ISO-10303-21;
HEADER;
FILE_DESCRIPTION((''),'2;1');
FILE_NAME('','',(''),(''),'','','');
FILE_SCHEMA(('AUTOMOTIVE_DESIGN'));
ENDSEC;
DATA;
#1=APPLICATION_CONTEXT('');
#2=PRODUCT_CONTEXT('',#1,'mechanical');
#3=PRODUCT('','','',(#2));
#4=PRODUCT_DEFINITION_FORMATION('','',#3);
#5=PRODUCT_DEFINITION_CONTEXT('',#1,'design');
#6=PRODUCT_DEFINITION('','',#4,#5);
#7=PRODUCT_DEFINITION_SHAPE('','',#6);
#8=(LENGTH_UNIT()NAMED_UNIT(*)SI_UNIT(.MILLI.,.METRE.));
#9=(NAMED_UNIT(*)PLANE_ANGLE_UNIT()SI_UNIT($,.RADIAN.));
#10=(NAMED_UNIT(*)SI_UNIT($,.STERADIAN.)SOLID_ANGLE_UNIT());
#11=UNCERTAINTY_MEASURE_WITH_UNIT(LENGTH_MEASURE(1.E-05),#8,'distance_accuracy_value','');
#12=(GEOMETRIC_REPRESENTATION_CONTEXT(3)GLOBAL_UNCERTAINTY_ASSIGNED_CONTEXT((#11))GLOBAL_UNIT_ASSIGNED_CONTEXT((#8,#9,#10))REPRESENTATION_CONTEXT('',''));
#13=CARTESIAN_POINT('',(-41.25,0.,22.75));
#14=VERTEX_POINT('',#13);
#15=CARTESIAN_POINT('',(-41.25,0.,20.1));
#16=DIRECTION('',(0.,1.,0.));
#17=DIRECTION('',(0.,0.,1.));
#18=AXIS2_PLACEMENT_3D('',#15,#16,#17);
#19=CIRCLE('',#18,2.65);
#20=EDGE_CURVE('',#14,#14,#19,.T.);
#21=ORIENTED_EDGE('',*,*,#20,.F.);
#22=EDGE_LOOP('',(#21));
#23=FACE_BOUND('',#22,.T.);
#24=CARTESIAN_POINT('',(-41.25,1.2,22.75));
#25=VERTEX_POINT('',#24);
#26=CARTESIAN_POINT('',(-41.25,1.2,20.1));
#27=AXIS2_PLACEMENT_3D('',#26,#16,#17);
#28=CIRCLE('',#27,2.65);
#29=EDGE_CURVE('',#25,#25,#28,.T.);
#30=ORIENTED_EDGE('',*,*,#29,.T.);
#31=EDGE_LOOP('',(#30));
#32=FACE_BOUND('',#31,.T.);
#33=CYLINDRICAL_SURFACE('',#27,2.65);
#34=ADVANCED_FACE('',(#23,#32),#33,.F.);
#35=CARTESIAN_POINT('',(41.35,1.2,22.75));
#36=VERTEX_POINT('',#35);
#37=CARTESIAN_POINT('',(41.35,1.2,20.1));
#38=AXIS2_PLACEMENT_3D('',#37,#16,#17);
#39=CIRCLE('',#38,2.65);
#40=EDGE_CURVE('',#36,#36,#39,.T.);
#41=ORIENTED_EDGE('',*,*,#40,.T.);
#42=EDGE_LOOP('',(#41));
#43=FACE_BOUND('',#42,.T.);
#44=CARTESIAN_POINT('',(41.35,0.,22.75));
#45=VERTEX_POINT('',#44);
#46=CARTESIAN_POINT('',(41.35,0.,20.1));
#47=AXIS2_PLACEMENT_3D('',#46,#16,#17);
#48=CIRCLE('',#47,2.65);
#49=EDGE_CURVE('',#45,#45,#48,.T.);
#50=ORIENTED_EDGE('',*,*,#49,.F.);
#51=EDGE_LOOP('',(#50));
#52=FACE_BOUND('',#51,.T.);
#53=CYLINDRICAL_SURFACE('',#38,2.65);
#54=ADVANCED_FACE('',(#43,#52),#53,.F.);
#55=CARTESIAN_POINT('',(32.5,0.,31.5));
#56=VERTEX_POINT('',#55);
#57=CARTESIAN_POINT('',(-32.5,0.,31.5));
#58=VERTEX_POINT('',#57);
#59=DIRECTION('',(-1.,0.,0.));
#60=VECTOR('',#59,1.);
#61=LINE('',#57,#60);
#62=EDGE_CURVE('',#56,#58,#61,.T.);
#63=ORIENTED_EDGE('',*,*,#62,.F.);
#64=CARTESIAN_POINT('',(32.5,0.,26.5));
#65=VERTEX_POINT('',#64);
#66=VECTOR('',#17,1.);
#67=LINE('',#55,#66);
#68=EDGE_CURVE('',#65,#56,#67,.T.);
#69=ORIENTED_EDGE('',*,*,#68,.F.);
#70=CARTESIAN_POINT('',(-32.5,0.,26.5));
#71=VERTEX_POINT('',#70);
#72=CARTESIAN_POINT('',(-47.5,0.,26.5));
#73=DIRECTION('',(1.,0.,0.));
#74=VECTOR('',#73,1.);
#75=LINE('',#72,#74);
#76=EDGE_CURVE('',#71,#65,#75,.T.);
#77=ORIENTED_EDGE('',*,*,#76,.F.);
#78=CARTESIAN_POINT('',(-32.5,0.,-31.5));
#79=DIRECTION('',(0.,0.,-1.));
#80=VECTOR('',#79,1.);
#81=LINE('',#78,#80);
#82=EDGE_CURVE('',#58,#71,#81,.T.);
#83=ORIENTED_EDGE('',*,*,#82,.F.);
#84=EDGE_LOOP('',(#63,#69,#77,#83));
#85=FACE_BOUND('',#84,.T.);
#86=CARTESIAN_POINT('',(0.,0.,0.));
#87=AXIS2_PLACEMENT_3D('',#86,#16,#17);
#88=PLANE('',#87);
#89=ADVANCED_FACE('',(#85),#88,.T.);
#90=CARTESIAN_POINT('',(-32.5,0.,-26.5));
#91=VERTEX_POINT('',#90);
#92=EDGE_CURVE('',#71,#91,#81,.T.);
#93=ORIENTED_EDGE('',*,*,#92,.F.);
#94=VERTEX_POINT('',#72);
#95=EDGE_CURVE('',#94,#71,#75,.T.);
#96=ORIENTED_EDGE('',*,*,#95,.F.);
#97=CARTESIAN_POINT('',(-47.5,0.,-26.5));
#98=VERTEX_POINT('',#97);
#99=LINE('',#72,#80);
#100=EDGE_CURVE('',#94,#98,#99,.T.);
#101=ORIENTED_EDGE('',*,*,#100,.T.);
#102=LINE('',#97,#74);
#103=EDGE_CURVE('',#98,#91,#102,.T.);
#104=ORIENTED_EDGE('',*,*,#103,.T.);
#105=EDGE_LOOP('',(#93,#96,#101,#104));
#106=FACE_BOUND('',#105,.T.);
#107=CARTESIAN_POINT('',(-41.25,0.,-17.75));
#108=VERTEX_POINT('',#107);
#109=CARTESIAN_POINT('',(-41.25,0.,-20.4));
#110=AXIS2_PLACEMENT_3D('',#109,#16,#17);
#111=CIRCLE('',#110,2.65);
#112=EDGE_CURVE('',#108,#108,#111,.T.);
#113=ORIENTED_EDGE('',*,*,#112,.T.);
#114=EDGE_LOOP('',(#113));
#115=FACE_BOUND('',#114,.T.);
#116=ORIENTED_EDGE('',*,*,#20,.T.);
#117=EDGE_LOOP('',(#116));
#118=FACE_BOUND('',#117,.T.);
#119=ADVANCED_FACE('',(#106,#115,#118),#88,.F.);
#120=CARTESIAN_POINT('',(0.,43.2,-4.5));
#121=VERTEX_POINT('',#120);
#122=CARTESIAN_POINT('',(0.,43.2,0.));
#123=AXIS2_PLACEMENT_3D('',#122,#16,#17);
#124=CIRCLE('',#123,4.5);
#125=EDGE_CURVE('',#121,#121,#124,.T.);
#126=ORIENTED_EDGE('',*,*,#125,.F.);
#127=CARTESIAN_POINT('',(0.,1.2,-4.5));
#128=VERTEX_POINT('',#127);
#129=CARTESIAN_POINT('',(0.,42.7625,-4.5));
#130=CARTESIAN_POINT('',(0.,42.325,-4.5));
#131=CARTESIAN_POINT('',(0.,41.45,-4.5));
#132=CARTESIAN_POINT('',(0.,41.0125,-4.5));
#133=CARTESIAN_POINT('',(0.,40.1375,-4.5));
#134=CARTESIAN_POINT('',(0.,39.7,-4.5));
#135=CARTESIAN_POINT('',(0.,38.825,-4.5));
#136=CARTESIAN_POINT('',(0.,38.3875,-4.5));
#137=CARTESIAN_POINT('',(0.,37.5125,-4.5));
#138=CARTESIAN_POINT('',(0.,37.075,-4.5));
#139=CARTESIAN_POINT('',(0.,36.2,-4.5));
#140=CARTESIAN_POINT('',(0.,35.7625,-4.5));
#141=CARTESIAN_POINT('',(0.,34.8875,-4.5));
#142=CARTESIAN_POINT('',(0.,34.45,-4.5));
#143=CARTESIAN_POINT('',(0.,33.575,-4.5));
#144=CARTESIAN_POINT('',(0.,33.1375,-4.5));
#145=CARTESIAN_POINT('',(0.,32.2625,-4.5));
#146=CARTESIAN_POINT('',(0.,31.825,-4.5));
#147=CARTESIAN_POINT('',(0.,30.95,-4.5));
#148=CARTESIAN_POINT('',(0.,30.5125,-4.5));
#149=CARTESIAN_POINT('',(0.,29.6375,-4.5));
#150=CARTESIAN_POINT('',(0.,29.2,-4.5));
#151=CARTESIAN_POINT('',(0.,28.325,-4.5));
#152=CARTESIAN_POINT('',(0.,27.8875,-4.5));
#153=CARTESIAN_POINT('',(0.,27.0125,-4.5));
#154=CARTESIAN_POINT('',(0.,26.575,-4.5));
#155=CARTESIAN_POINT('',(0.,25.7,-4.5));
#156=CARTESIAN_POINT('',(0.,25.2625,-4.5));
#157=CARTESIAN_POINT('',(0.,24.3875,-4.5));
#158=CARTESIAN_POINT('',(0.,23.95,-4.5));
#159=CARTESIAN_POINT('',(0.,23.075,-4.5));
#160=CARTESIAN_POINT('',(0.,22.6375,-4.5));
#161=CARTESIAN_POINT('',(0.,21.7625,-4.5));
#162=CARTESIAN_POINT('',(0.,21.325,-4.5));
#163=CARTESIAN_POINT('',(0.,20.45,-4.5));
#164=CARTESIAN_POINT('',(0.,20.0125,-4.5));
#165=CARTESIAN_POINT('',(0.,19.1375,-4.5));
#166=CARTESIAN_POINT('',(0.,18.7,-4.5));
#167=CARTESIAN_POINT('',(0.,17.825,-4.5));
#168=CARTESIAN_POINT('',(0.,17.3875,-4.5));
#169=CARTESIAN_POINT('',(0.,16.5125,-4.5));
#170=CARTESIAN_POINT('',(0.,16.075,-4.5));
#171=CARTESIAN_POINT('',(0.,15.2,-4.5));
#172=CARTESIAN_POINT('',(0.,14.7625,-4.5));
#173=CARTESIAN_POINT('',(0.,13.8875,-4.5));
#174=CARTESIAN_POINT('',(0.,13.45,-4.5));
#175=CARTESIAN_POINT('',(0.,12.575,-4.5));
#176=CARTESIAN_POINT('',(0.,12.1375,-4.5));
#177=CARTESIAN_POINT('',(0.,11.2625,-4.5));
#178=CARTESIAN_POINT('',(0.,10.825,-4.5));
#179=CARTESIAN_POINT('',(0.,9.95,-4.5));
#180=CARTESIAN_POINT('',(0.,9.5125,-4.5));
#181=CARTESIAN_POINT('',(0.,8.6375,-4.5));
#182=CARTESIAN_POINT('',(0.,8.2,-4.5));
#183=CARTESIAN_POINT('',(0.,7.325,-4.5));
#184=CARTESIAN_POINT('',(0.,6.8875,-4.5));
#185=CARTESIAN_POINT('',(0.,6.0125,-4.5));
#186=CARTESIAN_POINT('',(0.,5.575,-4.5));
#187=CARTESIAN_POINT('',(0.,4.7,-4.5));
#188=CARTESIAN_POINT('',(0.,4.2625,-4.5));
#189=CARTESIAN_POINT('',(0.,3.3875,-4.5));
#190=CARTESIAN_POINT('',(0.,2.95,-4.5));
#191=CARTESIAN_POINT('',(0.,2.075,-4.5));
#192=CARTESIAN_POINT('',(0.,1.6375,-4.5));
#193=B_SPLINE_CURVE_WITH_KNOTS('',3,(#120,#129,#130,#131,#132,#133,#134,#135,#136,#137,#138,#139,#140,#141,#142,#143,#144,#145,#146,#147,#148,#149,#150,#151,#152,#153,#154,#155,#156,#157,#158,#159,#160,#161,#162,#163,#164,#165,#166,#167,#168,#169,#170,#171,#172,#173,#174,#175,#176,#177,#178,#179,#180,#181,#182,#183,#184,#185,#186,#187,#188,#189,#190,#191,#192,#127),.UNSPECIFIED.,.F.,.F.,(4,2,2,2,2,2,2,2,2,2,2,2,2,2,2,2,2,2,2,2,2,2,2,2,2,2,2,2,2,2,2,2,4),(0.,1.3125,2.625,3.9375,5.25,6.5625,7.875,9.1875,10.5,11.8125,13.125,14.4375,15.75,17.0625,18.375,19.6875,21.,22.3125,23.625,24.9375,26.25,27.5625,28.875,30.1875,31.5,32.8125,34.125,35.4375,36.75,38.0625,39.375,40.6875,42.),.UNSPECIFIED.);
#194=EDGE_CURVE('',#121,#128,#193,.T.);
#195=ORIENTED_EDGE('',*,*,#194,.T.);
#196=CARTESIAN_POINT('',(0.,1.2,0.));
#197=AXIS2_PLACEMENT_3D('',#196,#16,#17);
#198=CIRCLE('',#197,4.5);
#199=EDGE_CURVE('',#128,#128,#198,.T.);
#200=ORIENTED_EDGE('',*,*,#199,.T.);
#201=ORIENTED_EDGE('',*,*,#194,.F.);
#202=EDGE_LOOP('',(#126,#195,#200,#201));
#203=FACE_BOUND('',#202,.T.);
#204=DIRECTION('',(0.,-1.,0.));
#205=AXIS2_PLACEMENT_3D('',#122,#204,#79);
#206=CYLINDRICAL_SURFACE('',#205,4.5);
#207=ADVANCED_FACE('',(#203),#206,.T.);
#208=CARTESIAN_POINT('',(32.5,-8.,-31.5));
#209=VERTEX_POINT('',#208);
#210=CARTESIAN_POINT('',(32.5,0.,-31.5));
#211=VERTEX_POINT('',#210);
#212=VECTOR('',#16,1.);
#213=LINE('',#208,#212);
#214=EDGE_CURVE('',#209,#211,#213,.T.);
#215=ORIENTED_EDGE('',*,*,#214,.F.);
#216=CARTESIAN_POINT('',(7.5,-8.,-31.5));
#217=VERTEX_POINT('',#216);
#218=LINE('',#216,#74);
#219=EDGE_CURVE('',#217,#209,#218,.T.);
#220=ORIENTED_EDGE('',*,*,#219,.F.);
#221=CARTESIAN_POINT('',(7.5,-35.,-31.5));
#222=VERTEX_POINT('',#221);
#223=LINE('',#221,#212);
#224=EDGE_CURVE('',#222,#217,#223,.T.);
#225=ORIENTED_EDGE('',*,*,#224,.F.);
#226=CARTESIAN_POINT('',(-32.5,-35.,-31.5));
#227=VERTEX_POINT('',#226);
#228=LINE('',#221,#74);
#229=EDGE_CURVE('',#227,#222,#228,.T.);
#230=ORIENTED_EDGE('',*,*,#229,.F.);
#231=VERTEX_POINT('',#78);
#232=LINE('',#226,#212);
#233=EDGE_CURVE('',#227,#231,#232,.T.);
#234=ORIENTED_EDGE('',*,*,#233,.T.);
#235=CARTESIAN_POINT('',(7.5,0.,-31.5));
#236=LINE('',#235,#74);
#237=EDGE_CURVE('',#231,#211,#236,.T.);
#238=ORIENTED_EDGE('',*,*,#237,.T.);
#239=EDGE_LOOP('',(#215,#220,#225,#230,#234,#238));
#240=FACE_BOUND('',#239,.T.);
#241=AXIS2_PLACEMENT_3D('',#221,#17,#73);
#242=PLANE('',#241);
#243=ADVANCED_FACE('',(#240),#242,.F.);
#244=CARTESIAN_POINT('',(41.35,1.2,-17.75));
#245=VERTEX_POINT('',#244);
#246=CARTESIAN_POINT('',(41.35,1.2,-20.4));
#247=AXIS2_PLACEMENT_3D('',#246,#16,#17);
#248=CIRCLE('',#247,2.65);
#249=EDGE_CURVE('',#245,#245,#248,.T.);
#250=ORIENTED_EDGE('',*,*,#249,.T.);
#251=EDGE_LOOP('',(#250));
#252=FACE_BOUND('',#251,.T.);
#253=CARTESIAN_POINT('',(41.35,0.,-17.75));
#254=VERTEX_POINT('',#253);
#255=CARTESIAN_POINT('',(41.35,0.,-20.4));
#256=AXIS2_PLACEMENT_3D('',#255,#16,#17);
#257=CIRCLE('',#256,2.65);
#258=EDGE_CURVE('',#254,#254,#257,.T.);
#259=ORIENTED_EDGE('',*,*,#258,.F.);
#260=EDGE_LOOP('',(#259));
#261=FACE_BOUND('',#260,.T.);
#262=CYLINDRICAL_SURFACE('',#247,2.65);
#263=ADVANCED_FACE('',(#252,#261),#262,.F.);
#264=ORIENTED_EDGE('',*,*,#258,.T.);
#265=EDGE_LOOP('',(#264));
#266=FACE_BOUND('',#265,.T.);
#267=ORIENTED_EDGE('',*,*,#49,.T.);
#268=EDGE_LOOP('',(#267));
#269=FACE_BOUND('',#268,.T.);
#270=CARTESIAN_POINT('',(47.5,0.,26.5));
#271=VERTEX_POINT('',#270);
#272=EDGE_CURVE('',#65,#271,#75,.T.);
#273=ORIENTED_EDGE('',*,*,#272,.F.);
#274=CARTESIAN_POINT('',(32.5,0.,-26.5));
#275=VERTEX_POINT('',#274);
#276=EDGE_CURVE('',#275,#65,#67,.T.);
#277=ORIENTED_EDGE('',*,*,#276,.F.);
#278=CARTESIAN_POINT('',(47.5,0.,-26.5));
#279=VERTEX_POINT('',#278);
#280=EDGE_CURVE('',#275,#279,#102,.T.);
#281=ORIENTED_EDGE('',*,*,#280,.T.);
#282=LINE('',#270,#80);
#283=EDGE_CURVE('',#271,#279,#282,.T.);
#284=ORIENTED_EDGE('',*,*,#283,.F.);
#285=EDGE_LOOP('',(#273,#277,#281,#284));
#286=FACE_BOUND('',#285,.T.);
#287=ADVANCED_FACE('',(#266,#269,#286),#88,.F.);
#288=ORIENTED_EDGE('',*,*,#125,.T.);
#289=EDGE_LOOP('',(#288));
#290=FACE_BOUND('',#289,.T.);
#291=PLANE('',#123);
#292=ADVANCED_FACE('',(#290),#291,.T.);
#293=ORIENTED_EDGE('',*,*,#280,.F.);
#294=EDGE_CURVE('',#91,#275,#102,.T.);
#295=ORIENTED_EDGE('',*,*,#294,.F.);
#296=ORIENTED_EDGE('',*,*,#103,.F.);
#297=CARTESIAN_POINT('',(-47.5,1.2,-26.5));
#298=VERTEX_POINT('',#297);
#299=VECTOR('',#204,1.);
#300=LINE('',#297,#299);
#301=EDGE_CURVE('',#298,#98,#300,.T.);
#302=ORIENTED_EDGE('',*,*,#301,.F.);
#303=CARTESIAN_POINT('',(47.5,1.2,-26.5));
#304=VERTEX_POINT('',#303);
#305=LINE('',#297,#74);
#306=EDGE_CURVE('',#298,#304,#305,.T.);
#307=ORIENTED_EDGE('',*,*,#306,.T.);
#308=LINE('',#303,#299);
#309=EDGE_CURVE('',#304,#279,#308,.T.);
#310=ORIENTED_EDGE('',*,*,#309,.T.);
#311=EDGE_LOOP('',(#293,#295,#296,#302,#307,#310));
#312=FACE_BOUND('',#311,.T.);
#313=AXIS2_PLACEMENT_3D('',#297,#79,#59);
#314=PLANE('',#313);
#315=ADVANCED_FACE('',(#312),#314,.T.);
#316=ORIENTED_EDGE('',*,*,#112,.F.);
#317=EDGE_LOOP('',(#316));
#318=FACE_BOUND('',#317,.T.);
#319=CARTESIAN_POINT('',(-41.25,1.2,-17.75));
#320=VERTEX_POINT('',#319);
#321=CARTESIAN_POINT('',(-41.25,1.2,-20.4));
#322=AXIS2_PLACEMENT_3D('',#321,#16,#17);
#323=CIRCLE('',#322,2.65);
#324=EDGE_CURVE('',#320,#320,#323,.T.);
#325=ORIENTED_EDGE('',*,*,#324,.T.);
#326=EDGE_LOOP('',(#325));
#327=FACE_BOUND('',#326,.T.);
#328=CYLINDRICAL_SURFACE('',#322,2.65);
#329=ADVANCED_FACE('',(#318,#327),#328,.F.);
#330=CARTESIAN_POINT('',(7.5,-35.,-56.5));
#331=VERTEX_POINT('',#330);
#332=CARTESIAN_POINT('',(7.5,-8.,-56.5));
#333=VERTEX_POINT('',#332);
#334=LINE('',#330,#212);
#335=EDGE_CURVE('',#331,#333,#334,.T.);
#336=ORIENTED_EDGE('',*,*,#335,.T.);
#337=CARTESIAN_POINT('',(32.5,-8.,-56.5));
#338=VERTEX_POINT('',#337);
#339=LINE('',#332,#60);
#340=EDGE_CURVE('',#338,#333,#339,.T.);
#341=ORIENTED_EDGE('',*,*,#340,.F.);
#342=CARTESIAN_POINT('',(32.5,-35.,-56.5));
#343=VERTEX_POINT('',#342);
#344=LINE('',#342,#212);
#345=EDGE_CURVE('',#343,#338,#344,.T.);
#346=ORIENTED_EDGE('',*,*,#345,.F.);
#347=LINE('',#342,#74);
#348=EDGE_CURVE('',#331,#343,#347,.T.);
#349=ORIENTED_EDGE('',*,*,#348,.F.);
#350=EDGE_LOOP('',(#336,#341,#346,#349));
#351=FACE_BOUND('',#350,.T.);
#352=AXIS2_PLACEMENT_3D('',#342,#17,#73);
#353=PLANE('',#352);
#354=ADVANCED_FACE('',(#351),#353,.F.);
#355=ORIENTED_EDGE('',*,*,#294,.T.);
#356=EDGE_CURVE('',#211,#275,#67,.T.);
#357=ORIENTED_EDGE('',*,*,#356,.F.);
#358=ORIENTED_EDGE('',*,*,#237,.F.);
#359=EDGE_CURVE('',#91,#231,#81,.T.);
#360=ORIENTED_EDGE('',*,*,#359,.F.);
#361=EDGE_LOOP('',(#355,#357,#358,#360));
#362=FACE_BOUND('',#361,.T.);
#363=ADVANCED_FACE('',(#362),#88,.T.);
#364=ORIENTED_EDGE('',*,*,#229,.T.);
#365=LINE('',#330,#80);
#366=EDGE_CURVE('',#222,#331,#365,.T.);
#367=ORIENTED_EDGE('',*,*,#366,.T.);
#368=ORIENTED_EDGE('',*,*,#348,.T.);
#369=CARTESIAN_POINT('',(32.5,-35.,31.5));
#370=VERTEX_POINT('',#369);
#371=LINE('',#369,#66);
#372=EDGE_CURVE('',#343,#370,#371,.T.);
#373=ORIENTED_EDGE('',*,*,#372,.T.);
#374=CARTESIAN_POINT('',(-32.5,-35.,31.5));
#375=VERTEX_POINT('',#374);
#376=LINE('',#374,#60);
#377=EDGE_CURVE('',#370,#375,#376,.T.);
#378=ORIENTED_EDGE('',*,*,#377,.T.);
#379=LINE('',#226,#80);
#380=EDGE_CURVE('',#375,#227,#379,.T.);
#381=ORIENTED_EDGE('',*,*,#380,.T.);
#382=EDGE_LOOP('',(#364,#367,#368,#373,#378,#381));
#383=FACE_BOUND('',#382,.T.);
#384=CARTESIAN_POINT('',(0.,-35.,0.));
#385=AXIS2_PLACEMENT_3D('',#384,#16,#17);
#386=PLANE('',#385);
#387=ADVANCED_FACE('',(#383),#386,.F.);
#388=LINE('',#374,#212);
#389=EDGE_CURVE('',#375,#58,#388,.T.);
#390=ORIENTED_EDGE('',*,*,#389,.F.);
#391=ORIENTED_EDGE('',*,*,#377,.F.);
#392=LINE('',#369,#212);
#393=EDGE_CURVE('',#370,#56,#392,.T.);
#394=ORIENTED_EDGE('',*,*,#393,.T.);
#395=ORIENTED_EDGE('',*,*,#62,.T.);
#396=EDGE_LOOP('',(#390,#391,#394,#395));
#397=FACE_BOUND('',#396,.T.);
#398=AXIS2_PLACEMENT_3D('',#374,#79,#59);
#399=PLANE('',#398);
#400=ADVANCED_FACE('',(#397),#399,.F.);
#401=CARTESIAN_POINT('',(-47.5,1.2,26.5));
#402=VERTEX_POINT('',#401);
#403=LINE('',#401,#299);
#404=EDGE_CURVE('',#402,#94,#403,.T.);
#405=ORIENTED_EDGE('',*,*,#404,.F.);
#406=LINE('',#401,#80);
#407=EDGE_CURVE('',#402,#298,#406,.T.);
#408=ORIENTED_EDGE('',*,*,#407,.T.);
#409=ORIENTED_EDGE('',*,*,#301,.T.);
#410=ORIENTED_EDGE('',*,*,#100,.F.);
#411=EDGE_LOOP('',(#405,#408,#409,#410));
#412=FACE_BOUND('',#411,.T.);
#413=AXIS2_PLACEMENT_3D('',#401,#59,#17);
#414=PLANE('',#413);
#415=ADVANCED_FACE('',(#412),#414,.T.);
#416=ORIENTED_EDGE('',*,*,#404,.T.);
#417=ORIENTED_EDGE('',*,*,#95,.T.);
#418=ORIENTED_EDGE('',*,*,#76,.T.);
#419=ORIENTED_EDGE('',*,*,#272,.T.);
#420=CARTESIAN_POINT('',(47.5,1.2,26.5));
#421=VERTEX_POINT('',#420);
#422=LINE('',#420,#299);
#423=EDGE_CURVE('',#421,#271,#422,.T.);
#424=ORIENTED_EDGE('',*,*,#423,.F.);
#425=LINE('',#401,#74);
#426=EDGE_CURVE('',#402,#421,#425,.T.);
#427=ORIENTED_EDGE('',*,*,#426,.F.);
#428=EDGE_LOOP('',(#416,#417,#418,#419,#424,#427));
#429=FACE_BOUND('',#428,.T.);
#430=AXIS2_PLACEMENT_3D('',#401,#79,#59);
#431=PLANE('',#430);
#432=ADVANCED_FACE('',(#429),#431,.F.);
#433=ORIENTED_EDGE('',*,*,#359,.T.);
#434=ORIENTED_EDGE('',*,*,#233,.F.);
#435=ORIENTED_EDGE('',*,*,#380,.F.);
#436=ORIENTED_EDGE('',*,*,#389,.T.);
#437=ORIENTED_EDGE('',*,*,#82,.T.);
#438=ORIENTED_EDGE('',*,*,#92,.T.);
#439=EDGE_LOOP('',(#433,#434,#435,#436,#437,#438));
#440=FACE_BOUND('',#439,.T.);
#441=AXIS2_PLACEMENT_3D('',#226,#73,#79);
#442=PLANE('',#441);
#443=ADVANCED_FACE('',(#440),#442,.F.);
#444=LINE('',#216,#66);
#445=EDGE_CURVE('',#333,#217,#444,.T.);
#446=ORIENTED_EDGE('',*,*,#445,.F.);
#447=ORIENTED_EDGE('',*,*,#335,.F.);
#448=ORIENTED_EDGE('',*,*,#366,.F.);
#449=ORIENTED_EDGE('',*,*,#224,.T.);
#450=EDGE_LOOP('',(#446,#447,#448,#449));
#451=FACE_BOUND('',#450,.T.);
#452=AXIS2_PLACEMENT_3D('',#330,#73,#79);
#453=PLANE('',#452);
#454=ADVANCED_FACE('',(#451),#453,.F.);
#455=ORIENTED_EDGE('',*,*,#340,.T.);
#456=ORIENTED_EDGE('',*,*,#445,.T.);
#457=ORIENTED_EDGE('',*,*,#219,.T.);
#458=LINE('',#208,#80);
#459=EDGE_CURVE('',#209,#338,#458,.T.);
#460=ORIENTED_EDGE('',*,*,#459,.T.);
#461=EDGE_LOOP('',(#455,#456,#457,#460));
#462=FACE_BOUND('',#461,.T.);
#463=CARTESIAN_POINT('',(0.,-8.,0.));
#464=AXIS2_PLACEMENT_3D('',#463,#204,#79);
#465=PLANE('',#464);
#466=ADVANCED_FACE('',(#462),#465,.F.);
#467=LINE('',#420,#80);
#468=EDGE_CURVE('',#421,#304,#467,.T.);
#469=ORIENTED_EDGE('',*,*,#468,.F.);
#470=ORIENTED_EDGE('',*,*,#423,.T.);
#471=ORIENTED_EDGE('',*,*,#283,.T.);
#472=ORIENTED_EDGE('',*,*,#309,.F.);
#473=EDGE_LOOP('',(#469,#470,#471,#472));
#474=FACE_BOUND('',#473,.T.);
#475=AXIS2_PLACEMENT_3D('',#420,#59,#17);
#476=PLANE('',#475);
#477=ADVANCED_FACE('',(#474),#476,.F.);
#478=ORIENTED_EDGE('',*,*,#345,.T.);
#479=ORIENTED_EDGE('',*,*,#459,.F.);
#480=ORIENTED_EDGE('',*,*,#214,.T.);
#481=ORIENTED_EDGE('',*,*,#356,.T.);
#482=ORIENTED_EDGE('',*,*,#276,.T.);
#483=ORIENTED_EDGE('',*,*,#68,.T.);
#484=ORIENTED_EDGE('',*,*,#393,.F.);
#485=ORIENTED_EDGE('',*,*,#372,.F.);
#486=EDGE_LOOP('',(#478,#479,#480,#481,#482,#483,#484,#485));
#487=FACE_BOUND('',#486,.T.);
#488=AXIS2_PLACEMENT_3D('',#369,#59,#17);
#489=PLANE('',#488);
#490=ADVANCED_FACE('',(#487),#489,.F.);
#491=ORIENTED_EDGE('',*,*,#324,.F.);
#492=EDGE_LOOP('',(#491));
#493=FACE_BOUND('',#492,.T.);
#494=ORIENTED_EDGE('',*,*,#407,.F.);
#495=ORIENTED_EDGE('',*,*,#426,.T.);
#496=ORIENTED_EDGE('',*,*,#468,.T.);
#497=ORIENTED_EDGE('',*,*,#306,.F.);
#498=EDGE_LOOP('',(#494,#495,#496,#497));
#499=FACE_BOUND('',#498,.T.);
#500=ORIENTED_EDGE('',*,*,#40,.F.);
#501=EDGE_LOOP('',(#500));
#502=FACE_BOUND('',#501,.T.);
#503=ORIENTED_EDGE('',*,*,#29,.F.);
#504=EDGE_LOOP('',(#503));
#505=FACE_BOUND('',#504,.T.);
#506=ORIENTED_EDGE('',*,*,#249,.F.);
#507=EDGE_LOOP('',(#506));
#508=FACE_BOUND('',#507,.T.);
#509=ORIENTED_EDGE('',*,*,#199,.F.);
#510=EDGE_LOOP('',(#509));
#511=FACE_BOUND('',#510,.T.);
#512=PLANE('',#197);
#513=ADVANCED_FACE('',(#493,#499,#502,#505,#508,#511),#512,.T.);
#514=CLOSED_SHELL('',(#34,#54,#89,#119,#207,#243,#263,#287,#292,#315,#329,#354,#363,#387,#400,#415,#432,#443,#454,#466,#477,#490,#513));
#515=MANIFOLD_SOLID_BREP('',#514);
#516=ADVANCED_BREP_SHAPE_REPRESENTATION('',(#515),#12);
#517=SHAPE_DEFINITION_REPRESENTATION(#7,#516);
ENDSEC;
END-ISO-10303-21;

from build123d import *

# Parameters (mm, degrees)
SKETCH_1_W          = 95
SKETCH_1_H          = 53
EXTRUDE_282_DEPTH   = 1.2
EXTRUDE_686_DEPTH   = 35
SKETCH_10_W         = 25
SKETCH_10_H         = 25
CUT_EXTRUDE_1_DEPTH = 8
SKETCH_7_R          = 4.5
EXTRUDE_1043_DEPTH  = 42
HOLE_WIZARD_M5_1_D  = 5.3


with BuildPart() as part:
    # 草图1 → Extrude 282 (new body)
    with BuildSketch(Plane(origin=(0, 0, 0), x_dir=(1, 0, 0), z_dir=(0, 1, 0))):
        Rectangle(SKETCH_1_W, SKETCH_1_H)
    extrude(amount=EXTRUDE_282_DEPTH)

    # 草图6 → Extrude 686 (add)
    with BuildSketch(Plane.XZ):
        Polygon((32.5, -56.5), (7.5, -56.5), (7.5, -31.5), (-32.5, -31.5), (-32.5, 31.5), (32.5, 31.5), align=None)
    extrude(amount=EXTRUDE_686_DEPTH)

    # 草图10 → 切除-拉伸1 (cut)
    with BuildSketch(Plane(origin=(0, 0, 0), x_dir=(1, 0, 0), z_dir=(0, 1, 0))):
        with Locations((20, 44)):
            Rectangle(SKETCH_10_W, SKETCH_10_H)
    extrude(amount=-CUT_EXTRUDE_1_DEPTH, mode=Mode.SUBTRACT)

    # 草图7 → Extrude 1043 (add)
    with BuildSketch(Plane(origin=(0, 1.2, 0), x_dir=(1, 0, 0), z_dir=(0, 1, 0))):
        with Locations(Location((0, 0, 0), (0, 0, 90))):
            Circle(SKETCH_7_R)
    extrude(amount=EXTRUDE_1043_DEPTH)

    # M5 间隙孔1 (through all)
    with Locations(Plane(origin=(0, 1.2, 0), x_dir=(1, 0, 0), z_dir=(0, 1, 0))):
        with Locations((-41.25, 20.4), (-41.25, -20.1), (41.35, -20.1), (41.35, 20.4)):
            Hole(HOLE_WIZARD_M5_1_D / 2)


solid = part.part
